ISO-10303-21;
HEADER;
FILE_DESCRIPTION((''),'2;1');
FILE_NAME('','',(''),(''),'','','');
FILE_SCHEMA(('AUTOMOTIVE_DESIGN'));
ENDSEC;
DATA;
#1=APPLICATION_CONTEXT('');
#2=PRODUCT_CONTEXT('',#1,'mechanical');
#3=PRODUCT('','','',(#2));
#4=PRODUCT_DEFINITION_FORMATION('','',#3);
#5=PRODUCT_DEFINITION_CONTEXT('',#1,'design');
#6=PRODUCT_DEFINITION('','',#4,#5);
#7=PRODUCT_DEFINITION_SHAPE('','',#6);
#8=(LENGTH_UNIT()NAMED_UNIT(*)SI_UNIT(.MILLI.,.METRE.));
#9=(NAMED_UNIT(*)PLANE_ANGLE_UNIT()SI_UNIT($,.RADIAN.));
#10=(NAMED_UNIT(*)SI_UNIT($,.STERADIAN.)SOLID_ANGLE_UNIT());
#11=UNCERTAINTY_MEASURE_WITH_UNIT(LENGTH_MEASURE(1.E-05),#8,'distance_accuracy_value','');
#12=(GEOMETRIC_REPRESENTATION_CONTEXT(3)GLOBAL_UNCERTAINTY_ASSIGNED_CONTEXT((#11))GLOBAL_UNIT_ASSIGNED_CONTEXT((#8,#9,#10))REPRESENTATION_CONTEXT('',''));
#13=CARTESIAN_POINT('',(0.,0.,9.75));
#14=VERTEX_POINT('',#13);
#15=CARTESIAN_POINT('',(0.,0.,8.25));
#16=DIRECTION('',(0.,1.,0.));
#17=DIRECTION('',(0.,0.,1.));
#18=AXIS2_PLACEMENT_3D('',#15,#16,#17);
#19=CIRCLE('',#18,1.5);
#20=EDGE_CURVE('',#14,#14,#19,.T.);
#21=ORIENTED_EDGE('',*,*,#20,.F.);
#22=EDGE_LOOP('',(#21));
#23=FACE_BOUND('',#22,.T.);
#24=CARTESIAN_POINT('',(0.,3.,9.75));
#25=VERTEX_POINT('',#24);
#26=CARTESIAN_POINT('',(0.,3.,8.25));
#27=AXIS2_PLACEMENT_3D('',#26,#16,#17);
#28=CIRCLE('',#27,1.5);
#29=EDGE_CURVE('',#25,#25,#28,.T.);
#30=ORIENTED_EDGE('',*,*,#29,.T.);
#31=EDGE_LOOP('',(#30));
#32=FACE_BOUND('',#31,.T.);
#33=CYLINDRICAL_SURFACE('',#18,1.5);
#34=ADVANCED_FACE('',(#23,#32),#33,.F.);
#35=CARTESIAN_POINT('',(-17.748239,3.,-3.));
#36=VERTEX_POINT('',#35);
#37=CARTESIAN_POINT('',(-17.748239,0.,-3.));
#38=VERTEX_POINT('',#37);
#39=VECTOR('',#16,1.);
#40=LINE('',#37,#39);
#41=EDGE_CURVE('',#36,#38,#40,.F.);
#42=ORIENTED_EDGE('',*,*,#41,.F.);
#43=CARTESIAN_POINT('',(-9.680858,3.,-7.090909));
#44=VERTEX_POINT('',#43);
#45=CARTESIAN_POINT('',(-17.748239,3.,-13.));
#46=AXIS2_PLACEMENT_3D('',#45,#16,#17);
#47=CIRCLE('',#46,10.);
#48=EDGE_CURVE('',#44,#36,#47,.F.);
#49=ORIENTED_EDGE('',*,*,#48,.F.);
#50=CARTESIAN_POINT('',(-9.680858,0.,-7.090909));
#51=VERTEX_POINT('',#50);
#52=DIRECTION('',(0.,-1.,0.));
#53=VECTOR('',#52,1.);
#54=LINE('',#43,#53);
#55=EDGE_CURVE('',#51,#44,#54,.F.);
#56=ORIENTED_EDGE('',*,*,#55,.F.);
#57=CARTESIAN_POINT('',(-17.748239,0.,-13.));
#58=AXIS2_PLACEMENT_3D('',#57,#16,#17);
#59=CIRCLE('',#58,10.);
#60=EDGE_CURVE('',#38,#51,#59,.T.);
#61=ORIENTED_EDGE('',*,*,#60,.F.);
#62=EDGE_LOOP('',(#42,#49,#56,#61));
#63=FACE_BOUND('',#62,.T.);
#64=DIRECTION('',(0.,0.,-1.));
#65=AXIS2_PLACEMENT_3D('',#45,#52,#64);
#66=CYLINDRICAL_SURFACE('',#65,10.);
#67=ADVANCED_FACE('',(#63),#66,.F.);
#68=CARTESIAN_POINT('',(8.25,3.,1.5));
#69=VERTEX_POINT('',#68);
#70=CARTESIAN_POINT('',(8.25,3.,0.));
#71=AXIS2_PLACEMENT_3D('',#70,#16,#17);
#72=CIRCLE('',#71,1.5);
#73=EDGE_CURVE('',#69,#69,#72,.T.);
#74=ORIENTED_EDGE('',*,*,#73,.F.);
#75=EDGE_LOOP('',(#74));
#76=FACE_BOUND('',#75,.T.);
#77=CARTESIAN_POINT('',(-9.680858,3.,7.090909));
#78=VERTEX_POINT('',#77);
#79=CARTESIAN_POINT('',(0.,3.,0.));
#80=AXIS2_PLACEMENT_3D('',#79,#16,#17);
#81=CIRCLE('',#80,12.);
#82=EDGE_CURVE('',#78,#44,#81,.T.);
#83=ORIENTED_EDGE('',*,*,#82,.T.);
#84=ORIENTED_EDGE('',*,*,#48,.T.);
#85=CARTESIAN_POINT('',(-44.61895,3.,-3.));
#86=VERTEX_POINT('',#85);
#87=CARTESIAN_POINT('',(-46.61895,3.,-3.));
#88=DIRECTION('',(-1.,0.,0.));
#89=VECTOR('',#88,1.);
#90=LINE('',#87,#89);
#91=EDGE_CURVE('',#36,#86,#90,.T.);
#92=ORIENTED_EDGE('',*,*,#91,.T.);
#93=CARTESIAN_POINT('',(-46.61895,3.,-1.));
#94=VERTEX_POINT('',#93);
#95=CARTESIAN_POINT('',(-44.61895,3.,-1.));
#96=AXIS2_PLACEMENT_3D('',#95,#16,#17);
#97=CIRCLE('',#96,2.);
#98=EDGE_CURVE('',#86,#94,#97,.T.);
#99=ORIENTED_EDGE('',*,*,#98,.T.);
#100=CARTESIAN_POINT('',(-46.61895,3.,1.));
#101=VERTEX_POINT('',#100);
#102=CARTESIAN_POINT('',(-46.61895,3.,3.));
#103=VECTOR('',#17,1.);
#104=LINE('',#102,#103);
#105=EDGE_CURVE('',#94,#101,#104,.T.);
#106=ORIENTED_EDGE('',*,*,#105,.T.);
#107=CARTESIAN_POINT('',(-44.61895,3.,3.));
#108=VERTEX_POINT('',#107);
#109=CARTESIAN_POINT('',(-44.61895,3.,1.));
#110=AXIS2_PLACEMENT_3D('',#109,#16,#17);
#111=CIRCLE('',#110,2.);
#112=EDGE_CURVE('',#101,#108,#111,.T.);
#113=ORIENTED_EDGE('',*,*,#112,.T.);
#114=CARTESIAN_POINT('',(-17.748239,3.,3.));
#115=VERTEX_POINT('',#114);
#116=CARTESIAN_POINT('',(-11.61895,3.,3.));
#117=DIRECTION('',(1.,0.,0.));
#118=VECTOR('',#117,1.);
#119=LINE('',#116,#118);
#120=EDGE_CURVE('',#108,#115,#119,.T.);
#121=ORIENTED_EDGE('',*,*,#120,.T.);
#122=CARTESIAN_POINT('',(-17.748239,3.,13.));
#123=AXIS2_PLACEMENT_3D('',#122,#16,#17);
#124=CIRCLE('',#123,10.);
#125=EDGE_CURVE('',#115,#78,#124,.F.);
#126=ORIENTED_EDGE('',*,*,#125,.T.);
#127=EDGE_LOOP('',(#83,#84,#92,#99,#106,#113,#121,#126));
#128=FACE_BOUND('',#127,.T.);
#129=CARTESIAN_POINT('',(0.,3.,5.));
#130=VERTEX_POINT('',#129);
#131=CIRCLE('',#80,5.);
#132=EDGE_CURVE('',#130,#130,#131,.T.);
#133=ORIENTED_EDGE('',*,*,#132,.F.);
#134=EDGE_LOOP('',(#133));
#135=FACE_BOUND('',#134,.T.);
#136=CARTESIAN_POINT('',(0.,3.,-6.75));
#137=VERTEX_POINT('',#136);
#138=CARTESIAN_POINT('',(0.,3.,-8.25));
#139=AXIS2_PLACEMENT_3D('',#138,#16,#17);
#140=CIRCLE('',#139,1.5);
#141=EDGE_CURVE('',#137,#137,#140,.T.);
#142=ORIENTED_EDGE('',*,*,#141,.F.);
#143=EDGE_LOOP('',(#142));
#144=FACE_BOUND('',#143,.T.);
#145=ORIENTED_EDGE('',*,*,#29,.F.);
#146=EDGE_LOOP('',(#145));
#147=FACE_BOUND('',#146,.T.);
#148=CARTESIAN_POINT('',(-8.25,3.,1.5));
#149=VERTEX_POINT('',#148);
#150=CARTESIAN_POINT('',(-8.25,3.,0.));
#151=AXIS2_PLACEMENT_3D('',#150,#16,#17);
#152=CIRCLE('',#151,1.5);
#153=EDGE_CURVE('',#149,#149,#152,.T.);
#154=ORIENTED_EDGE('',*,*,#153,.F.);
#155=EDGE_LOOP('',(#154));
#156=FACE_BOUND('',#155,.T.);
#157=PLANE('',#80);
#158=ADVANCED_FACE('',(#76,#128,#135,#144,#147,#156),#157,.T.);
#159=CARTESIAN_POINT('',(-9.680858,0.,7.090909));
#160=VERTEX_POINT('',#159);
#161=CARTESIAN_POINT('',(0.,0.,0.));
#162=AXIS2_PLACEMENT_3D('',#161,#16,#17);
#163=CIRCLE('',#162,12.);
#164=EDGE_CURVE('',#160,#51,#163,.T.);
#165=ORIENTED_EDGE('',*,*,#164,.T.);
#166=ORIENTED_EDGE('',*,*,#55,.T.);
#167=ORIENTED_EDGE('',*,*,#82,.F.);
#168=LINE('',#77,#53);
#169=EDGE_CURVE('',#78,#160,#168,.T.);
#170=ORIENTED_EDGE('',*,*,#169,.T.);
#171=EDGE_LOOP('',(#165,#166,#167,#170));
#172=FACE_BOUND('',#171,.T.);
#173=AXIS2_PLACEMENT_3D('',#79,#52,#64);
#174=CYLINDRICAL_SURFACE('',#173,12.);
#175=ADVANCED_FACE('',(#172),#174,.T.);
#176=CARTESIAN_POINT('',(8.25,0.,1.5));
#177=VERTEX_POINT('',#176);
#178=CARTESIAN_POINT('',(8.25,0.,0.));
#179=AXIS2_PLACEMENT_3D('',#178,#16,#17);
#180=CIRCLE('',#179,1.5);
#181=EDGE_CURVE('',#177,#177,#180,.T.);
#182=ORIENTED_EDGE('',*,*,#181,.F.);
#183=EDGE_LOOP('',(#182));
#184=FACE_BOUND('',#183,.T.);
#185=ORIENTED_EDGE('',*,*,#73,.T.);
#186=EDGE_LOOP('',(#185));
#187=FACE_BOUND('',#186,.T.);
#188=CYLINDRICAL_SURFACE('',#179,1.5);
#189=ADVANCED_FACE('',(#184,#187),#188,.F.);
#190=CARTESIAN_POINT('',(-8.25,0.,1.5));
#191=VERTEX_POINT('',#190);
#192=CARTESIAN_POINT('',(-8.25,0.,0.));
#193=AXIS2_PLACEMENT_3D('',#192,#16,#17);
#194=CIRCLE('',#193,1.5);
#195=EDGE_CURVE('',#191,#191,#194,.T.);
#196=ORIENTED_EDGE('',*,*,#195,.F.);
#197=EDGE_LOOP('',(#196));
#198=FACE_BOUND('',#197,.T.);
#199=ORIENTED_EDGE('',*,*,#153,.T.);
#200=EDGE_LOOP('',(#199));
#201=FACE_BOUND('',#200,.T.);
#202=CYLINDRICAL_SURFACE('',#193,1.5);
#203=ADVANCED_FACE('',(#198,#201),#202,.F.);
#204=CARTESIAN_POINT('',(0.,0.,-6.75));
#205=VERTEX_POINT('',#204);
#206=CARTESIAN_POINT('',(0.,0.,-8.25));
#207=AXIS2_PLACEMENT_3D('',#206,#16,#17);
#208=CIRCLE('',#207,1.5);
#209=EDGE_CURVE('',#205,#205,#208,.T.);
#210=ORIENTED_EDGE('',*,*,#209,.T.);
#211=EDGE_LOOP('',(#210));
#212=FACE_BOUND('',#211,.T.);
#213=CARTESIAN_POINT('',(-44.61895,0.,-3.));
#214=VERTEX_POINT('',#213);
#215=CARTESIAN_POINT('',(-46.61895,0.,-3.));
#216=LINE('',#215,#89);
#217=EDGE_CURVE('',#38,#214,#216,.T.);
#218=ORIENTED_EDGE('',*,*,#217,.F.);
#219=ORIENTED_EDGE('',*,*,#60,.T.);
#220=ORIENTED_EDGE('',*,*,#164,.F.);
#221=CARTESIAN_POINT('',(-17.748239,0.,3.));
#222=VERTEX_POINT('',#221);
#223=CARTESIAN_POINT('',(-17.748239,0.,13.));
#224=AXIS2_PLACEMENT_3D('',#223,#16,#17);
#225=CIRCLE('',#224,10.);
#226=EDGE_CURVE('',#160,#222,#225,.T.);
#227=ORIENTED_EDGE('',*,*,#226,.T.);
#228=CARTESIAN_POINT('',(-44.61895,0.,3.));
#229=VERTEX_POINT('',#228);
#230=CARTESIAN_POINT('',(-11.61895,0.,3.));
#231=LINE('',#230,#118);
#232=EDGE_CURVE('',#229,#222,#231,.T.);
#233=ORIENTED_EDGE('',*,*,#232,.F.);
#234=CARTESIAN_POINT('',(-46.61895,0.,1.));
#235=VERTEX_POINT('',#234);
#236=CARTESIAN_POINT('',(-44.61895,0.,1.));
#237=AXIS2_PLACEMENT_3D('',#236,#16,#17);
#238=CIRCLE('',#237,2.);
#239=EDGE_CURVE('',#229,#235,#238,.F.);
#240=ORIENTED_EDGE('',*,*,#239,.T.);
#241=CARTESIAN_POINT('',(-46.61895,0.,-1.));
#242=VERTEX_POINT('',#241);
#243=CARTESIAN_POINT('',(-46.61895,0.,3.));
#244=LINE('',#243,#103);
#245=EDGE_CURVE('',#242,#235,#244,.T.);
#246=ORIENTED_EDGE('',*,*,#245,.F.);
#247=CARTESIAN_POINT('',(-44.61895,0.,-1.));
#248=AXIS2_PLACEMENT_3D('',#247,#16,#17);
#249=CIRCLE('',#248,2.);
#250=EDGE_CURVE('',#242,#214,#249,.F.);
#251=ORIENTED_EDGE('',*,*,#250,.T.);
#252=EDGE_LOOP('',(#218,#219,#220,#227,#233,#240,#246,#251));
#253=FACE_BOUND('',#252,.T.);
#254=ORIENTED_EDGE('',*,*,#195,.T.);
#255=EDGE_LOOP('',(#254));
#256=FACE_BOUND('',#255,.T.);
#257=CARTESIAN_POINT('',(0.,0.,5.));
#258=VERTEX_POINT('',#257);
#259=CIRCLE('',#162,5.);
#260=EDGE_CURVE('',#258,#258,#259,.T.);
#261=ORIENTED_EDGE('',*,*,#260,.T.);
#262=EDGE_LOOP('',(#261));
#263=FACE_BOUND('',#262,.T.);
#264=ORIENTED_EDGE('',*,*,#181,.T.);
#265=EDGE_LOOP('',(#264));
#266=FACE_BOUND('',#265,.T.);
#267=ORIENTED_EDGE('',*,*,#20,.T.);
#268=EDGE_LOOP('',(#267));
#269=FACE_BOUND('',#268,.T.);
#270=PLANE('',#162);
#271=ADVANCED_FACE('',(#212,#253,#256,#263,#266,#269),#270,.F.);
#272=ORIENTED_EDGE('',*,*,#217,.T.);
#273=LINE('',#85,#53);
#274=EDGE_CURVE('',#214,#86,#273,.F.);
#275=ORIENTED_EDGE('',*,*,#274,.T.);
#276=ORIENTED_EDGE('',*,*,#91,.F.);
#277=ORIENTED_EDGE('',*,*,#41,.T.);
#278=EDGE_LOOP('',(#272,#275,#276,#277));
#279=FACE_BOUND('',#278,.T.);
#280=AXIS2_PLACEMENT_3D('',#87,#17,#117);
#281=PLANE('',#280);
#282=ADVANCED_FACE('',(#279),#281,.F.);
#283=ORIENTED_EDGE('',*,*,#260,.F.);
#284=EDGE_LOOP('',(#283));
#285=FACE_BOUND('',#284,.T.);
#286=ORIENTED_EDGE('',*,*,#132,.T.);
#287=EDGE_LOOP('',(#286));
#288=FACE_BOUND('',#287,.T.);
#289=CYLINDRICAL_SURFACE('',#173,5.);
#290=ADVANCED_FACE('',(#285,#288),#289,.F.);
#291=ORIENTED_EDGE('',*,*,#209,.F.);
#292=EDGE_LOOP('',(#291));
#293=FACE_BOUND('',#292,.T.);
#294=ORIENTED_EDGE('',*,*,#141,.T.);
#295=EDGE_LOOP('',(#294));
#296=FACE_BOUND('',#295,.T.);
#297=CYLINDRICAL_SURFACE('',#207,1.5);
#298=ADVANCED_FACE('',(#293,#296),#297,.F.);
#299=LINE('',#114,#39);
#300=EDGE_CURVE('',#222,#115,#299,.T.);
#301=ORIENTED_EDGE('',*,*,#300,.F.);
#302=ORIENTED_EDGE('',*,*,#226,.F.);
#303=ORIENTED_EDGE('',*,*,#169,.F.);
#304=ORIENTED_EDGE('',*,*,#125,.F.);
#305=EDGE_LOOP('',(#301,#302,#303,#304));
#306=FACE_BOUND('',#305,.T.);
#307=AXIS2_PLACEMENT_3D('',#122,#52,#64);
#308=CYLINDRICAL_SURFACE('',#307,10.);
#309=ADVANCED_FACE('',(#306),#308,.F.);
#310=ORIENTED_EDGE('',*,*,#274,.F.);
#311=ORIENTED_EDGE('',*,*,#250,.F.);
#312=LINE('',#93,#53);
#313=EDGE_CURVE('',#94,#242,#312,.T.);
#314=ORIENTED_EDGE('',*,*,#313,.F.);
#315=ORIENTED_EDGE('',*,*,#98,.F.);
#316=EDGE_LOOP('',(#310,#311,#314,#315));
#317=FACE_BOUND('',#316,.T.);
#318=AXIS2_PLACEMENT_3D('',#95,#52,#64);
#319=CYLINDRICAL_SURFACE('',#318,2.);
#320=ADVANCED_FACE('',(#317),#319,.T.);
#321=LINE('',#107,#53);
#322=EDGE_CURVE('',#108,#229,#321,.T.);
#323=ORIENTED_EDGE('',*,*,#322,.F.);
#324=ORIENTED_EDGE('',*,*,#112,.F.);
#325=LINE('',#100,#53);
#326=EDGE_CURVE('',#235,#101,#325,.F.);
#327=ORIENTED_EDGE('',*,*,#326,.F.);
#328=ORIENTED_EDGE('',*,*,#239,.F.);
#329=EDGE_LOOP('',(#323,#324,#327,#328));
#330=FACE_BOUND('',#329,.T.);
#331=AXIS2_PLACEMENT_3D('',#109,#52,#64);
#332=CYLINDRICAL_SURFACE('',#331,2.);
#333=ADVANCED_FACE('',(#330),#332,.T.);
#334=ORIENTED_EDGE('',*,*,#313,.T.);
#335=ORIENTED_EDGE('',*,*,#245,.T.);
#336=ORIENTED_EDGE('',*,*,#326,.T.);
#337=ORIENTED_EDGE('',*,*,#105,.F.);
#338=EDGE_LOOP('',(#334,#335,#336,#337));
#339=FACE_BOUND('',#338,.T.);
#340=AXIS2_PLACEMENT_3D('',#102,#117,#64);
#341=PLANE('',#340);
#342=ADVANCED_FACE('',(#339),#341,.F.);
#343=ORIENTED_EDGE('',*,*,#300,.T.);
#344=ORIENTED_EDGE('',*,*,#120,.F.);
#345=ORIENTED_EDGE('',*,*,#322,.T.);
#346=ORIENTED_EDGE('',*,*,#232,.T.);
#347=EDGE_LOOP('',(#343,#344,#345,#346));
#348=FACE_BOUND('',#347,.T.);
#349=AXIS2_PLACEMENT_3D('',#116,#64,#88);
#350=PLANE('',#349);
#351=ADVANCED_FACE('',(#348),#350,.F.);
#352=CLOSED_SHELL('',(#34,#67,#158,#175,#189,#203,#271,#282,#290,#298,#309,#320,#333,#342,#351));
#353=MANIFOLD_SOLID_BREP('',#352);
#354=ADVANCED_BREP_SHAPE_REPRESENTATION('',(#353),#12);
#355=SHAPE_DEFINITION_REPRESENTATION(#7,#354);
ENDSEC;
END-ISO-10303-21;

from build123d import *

# Parameters (mm, degrees)
SKETCH_1_R          = 5
EXTRUDE_1_DEPTH     = 3
SKETCH_2_R          = 1.5
CUT_EXTRUDE_1_DEPTH = 49.232007036
FILLET_1_R          = 2
FILLET_2_R          = 10


with BuildPart() as part:
    # 草图1 → 凸台-拉伸1 (new body)
    with BuildSketch(Plane(origin=(0, 0, 0), x_dir=(1, 0, 0), z_dir=(0, 1, 0))):
        with BuildLine():
            Line((-11.618950039, -3), (-46.618950039, -3))
            Line((-46.618950039, -3), (-46.618950039, 3))
            Line((-46.618950039, 3), (-11.618950039, 3))
            ThreePointArc((-11.618950039, 3), (12, 0), (-11.618950039, -3))
        make_face()
        with Locations(Location((0, 0, 0), (0, 0, 270))):
            Circle(SKETCH_1_R, mode=Mode.SUBTRACT)
    extrude(amount=EXTRUDE_1_DEPTH)

    # 草图2 → 切除-拉伸1 (cut, through all)
    with BuildSketch(Plane(origin=(0, 3, 0), x_dir=(1, 0, 0), z_dir=(0, 1, 0))):
        with Locations(Location((0, 8.25, 0), (0, 0, 270))):
            Circle(SKETCH_2_R)
        with Locations(Location((8.25, 0, 0), (0, 0, 270))):
            Circle(SKETCH_2_R)
        with Locations(Location((0, -8.25, 0), (0, 0, 270))):
            Circle(SKETCH_2_R)
        with Locations(Location((-8.25, 0, 0), (0, 0, 270))):
            Circle(SKETCH_2_R)
    extrude(amount=-CUT_EXTRUDE_1_DEPTH, mode=Mode.SUBTRACT)

    # 圆角1
    fillet_1_edges = [part.edges().sort_by_distance(p)[0] for p in [
        (-46.618950039, 1.5, 3),
        (-46.618950039, 1.5, -3),
    ]]
    fillet(fillet_1_edges, radius=FILLET_1_R)

    # 圆角2
    fillet_2_edges = [part.edges().sort_by_distance(p)[0] for p in [
        (-11.618950039, 1.5, 3),
        (-11.618950039, 1.5, -3),
    ]]
    fillet(fillet_2_edges, radius=FILLET_2_R)


solid = part.part
